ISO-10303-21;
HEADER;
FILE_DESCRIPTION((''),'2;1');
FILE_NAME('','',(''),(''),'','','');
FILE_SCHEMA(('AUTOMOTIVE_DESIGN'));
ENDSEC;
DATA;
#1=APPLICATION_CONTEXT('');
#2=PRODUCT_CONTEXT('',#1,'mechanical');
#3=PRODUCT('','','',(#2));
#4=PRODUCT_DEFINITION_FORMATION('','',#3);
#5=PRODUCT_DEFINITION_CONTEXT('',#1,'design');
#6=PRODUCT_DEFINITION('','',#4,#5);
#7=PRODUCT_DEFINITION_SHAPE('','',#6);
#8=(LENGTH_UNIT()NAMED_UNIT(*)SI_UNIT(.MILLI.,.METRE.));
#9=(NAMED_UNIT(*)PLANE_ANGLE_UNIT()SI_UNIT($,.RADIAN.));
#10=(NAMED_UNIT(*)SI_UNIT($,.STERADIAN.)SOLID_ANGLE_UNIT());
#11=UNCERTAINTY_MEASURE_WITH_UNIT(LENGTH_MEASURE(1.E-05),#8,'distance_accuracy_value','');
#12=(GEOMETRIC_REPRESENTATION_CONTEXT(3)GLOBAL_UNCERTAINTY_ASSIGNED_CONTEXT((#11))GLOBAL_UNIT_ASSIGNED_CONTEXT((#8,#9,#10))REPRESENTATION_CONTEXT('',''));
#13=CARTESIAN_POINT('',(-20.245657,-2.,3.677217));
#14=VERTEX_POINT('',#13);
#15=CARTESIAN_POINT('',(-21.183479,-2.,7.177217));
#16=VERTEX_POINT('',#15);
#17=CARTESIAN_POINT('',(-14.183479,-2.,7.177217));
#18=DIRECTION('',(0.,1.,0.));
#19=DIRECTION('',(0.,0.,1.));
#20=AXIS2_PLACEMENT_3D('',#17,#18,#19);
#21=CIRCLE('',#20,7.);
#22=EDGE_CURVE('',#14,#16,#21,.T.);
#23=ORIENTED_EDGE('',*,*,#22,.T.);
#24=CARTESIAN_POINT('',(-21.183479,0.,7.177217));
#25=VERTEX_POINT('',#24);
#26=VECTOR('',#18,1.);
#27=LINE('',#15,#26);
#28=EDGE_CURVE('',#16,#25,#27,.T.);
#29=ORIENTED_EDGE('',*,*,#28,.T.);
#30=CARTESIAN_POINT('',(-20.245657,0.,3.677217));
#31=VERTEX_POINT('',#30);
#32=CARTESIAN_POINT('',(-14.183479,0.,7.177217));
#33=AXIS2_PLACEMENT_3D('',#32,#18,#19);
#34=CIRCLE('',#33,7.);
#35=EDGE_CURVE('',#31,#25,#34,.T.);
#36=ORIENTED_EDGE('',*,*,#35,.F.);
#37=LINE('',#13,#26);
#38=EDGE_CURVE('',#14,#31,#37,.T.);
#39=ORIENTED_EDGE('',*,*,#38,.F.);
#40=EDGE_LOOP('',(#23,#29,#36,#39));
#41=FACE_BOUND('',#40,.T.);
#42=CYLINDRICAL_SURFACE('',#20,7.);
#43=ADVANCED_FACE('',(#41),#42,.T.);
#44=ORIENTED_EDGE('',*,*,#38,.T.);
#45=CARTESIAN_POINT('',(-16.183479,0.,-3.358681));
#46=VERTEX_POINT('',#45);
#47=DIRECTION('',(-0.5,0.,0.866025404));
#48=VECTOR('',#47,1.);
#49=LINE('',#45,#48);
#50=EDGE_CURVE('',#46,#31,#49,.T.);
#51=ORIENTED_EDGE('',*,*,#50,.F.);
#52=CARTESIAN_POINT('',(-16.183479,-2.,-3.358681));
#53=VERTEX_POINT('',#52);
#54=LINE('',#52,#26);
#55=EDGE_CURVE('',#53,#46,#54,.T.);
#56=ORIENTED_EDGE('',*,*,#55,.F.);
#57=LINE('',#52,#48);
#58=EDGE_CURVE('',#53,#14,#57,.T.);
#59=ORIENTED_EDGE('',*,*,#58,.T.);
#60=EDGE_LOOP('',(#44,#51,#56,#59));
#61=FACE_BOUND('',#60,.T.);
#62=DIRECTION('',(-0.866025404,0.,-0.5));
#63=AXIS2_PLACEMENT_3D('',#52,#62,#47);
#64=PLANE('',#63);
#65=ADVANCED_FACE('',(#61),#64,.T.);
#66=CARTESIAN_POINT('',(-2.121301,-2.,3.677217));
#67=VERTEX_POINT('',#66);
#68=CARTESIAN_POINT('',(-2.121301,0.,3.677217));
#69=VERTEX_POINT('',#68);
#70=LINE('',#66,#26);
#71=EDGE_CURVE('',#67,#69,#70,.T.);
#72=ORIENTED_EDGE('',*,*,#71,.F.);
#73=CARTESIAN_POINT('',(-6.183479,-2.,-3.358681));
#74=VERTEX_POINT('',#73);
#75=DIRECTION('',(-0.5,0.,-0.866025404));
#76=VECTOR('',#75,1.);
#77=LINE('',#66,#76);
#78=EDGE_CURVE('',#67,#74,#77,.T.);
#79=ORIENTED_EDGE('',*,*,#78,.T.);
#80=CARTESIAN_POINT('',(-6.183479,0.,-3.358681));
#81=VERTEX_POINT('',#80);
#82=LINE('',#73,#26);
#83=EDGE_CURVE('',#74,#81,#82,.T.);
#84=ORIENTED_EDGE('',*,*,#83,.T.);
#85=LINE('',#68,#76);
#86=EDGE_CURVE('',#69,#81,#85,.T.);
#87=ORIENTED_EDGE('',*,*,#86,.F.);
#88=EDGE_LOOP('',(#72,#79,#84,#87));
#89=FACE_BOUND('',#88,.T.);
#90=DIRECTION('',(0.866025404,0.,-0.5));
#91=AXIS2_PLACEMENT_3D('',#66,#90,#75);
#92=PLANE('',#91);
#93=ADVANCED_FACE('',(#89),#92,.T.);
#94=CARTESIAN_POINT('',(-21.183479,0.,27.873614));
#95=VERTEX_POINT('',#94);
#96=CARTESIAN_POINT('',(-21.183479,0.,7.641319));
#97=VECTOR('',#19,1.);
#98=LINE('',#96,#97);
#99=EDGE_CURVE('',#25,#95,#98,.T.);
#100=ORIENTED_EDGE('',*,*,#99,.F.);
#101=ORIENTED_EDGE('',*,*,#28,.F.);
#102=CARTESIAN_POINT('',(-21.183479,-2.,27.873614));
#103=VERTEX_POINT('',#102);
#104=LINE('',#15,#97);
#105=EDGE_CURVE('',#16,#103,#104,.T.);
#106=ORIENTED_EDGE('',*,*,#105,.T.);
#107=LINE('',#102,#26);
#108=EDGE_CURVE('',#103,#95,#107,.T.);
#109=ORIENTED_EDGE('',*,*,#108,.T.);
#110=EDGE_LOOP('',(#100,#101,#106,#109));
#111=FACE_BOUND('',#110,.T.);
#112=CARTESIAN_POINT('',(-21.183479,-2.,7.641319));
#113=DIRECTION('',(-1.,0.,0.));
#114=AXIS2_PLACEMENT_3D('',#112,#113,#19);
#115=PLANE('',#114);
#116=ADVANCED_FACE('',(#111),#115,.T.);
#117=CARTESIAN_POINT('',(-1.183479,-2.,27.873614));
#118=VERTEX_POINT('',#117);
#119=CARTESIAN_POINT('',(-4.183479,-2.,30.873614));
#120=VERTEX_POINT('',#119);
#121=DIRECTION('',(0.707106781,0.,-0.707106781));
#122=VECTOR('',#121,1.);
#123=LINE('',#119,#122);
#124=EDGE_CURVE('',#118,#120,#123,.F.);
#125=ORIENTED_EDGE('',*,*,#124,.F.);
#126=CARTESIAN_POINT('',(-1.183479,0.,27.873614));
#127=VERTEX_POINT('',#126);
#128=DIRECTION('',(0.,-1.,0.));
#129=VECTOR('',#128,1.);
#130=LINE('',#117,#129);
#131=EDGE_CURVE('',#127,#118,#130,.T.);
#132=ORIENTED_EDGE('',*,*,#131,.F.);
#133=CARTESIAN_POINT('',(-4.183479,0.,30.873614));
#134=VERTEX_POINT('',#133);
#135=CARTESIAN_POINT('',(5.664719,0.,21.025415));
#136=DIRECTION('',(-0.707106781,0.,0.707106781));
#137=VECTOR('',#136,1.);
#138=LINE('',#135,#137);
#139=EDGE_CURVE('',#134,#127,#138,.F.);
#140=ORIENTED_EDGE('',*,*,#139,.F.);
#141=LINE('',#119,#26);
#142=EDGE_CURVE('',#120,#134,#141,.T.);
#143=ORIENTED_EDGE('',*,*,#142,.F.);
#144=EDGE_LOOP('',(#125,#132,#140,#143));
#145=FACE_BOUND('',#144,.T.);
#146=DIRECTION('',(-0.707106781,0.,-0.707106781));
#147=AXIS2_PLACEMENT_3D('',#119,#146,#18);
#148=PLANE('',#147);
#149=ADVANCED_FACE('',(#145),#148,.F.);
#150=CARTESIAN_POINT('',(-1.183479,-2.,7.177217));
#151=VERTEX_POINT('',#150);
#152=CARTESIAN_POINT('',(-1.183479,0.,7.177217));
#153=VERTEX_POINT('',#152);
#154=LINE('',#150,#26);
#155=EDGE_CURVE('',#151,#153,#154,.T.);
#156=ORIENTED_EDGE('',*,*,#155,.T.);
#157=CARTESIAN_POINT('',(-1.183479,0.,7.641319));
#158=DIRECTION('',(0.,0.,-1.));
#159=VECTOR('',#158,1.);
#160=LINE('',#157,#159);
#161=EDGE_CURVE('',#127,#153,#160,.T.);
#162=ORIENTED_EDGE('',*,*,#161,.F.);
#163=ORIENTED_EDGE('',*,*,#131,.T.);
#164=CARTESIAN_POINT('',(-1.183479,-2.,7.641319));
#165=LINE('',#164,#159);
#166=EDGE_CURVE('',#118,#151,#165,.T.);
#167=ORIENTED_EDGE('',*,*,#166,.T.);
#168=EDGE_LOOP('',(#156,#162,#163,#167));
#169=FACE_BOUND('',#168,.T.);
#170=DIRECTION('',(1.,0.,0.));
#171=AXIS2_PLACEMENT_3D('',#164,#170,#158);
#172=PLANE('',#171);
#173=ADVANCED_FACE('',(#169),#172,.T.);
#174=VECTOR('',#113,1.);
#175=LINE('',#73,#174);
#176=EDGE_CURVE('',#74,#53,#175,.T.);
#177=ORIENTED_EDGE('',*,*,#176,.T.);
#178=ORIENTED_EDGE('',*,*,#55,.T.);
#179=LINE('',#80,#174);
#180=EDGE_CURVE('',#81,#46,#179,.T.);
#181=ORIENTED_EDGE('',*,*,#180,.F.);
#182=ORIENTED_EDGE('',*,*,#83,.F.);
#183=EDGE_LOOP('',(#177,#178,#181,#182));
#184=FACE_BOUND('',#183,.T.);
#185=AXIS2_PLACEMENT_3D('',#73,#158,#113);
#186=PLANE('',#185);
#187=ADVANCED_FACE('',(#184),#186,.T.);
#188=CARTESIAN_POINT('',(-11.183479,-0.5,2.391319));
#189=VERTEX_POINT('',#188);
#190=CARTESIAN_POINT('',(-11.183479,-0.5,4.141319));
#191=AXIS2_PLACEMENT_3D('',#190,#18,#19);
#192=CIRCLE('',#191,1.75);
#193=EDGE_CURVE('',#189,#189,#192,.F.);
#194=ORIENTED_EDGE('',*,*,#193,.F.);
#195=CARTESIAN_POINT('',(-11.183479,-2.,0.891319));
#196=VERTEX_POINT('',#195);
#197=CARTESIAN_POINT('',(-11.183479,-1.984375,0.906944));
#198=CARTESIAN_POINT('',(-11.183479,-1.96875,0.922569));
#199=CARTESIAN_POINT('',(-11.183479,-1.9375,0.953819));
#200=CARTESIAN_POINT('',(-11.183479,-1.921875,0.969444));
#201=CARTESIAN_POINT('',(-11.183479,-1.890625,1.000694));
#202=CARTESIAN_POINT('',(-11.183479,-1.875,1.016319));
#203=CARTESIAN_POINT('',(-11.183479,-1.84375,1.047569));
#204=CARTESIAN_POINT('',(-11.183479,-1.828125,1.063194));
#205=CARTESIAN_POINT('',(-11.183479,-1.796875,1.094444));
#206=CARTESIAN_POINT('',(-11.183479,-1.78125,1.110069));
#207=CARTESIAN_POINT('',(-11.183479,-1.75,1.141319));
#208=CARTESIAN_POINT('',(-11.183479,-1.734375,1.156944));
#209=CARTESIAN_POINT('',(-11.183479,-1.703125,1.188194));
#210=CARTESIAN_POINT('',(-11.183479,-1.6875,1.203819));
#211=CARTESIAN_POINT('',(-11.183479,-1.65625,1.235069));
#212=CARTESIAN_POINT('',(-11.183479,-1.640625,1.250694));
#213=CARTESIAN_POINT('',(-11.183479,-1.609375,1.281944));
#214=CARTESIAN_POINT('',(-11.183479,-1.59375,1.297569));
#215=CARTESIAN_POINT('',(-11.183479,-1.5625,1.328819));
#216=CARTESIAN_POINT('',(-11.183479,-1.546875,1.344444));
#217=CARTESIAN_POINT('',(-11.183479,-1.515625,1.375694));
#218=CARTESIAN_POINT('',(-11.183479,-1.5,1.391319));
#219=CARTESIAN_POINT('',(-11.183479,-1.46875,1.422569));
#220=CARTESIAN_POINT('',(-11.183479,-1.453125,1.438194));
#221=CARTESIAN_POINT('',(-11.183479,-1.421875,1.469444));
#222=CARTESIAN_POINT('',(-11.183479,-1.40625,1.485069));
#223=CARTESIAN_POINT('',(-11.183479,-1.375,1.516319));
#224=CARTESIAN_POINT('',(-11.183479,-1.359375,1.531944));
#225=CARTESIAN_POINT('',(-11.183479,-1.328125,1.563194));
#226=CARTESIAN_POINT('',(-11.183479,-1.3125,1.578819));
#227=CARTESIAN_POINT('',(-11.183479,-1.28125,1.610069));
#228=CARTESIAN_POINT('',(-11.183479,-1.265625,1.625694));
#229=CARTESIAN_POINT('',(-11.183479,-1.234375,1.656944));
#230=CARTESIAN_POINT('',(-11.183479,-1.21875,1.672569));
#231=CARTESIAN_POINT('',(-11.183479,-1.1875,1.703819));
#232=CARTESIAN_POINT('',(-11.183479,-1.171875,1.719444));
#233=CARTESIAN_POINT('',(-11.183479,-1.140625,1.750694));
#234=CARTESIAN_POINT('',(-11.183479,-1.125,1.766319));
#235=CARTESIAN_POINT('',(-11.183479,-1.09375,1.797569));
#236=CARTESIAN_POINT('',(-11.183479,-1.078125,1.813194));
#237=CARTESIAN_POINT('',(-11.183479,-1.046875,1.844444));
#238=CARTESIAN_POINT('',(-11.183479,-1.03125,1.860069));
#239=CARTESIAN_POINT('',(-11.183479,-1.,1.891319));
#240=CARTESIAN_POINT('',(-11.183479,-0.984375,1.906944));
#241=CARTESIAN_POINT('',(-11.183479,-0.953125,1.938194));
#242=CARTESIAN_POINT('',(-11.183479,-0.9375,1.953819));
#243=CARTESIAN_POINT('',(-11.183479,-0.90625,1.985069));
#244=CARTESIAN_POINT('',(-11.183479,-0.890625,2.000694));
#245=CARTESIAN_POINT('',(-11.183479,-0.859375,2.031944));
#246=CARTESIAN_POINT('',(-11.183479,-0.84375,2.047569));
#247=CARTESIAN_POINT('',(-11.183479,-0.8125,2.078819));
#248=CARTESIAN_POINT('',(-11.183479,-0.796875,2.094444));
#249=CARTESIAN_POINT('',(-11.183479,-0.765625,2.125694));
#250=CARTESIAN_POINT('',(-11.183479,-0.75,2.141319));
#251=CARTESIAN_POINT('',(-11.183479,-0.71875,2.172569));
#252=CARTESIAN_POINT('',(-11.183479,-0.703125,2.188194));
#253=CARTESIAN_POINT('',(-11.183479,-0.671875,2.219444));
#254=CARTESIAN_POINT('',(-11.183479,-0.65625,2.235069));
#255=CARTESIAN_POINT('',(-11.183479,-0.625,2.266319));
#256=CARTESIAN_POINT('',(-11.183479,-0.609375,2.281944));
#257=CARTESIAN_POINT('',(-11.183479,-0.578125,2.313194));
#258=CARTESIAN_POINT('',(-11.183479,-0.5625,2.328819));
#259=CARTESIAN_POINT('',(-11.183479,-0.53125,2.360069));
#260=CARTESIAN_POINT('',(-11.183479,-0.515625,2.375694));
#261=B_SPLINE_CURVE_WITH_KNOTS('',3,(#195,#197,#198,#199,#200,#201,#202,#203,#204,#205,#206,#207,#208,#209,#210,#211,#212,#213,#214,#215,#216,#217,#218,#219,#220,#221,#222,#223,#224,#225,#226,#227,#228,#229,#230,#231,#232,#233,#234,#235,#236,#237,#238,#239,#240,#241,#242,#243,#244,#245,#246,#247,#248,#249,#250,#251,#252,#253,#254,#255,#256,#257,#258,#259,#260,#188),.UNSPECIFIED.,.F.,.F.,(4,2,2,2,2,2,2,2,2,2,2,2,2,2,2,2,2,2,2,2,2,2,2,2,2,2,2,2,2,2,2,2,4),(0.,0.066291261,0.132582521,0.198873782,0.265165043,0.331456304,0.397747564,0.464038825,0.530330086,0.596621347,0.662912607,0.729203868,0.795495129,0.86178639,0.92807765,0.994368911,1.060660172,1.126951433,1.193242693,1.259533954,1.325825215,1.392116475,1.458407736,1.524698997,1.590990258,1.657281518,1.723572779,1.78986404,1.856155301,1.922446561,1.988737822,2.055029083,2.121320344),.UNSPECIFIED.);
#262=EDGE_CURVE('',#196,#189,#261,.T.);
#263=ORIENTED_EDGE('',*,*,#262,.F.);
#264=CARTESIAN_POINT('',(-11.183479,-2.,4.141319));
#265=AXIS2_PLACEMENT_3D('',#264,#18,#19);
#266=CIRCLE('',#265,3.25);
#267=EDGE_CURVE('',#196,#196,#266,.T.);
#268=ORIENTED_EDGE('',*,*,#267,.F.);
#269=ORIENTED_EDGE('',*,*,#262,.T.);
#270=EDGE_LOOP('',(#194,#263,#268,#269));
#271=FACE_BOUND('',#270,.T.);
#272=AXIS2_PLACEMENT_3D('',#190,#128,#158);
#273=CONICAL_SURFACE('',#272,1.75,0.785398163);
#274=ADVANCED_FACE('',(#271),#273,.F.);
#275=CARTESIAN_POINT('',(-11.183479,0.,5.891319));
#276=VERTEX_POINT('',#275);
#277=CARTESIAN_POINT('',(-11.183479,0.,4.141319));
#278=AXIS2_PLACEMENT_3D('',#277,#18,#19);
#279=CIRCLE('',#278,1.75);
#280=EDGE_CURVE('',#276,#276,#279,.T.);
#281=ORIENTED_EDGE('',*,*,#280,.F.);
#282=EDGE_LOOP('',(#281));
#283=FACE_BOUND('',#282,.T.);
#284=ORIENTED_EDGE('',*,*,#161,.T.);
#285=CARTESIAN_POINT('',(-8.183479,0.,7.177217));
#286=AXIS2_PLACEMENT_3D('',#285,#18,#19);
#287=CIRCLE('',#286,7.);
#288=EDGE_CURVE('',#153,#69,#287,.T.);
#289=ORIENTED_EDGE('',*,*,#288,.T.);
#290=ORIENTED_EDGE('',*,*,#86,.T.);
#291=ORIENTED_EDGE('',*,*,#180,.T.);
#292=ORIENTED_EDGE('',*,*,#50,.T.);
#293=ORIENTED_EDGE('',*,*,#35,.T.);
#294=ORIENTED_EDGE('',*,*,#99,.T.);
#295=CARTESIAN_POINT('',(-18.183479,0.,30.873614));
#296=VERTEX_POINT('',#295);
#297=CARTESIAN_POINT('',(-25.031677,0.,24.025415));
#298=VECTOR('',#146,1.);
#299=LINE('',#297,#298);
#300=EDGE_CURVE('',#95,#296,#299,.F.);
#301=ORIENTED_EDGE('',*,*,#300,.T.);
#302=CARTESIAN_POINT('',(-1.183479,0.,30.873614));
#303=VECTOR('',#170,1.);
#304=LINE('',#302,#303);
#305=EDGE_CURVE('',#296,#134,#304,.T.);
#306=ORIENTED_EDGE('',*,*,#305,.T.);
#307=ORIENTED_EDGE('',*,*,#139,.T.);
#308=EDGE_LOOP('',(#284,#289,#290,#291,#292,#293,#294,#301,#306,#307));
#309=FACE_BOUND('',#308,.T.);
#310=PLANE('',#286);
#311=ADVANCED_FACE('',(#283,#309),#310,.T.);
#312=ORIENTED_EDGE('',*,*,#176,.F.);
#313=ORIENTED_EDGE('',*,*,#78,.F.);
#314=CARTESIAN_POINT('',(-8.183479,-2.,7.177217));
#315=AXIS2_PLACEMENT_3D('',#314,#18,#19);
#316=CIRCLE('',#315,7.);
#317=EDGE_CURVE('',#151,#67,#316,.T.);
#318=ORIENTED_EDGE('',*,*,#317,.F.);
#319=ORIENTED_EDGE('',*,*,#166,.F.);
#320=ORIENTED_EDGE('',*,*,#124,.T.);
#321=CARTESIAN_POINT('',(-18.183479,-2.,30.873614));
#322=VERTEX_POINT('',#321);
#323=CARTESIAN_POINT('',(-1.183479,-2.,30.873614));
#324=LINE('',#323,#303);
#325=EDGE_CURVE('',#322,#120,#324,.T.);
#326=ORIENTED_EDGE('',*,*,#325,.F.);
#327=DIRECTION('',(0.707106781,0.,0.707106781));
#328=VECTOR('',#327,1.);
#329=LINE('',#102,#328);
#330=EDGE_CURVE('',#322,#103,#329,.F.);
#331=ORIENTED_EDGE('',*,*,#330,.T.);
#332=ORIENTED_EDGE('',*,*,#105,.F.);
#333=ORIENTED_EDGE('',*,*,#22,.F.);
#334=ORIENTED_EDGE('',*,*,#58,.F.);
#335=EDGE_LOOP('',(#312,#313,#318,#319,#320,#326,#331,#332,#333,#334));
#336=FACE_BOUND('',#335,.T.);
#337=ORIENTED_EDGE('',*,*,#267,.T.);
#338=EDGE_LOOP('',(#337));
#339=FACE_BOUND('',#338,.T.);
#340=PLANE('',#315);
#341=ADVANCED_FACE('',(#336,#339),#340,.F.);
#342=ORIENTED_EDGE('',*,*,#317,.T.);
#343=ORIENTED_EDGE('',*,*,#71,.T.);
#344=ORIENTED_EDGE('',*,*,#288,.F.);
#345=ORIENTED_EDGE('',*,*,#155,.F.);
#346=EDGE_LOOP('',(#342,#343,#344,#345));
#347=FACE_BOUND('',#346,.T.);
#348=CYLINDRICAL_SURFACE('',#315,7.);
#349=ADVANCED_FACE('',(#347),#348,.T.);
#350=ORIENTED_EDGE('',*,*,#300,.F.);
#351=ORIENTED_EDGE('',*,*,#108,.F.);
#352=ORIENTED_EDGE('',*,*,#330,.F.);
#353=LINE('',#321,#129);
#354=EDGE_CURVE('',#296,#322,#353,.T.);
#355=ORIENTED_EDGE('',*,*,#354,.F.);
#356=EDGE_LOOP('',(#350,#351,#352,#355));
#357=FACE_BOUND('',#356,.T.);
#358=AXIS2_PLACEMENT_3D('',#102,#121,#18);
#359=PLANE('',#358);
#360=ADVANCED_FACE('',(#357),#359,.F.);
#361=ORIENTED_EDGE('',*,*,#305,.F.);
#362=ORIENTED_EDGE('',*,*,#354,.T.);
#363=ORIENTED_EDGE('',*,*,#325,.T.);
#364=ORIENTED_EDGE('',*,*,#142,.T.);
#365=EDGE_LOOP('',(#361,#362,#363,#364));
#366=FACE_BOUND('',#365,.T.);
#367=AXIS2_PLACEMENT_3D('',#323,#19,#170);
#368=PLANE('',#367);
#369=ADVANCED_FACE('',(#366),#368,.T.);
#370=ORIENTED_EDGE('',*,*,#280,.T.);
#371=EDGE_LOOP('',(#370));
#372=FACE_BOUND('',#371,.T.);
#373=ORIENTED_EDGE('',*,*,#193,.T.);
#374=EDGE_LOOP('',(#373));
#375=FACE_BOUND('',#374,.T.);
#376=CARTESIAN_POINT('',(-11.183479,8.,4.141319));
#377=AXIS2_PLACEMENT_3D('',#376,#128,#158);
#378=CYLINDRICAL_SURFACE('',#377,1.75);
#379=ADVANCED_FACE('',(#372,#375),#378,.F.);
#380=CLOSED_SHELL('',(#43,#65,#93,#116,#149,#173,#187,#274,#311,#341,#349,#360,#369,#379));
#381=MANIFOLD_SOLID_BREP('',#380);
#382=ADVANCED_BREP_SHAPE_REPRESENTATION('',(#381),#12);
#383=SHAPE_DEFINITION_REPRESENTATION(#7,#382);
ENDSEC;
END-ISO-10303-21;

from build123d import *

# Parameters (mm, degrees)
EXTRUDE_1_DEPTH     = 2
SKETCH_3_R          = 1.75
CUT_EXTRUDE_1_DEPTH = 10
CHAMFER_1_SIZE      = 3
CHAMFER_2_SIZE      = 1.5


with BuildPart() as part:
    # Эскиз2 → Бобышка-Вытянуть1 (new body)
    with BuildSketch(Plane(origin=(0, 0, 0), x_dir=(1, 0, 0), z_dir=(0, 1, 0))):
        with BuildLine():
            Line((-1.183478947, -7.641318816), (-1.183478947, -30.873613644))
            Line((-1.183478947, -30.873613644), (-21.183478947, -30.873613644))
            Line((-21.183478947, -30.873613644), (-21.183478947, -7.641318816))
            Line((-21.183478947, -7.641318816), (-21.183478947, -7.177217201))
            ThreePointArc((-21.183478947, -7.177217201), (-20.944959731, -5.365483885), (-20.245656774, -3.677217201))
            Line((-20.245656774, -3.677217201), (-16.183478947, 3.358681184))
            Line((-16.183478947, 3.358681184), (-6.183478947, 3.358681184))
            Line((-6.183478947, 3.358681184), (-2.121301121, -3.677217201))
            ThreePointArc((-2.121301121, -3.677217201), (-1.421998163, -5.365483885), (-1.183478947, -7.177217201))
            Line((-1.183478947, -7.177217201), (-1.183478947, -7.641318816))
        make_face()
    extrude(amount=-EXTRUDE_1_DEPTH)

    # Эскиз3 → Вырез-Вытянуть1 (cut)
    with BuildSketch(Plane.XZ.offset(2)):
        with Locations(Location((-11.183478947, 4.141318816, 0), (0, 0, 270))):
            Circle(SKETCH_3_R)
    extrude(amount=-CUT_EXTRUDE_1_DEPTH, mode=Mode.SUBTRACT)

    # Фаска1
    chamfer_1_edges = [part.edges().sort_by_distance(p)[0] for p in [
        (-1.183478947, -1, 30.873613644),
        (-21.183478947, -1, 30.873613644),
    ]]
    chamfer(chamfer_1_edges, length=CHAMFER_1_SIZE)

    # Фаска2
    chamfer_2_edges = [part.edges().sort_by_distance(p)[0] for p in [
        (-11.183478947, -2, 5.891318816),
    ]]
    chamfer(chamfer_2_edges, length=CHAMFER_2_SIZE)


solid = part.part
